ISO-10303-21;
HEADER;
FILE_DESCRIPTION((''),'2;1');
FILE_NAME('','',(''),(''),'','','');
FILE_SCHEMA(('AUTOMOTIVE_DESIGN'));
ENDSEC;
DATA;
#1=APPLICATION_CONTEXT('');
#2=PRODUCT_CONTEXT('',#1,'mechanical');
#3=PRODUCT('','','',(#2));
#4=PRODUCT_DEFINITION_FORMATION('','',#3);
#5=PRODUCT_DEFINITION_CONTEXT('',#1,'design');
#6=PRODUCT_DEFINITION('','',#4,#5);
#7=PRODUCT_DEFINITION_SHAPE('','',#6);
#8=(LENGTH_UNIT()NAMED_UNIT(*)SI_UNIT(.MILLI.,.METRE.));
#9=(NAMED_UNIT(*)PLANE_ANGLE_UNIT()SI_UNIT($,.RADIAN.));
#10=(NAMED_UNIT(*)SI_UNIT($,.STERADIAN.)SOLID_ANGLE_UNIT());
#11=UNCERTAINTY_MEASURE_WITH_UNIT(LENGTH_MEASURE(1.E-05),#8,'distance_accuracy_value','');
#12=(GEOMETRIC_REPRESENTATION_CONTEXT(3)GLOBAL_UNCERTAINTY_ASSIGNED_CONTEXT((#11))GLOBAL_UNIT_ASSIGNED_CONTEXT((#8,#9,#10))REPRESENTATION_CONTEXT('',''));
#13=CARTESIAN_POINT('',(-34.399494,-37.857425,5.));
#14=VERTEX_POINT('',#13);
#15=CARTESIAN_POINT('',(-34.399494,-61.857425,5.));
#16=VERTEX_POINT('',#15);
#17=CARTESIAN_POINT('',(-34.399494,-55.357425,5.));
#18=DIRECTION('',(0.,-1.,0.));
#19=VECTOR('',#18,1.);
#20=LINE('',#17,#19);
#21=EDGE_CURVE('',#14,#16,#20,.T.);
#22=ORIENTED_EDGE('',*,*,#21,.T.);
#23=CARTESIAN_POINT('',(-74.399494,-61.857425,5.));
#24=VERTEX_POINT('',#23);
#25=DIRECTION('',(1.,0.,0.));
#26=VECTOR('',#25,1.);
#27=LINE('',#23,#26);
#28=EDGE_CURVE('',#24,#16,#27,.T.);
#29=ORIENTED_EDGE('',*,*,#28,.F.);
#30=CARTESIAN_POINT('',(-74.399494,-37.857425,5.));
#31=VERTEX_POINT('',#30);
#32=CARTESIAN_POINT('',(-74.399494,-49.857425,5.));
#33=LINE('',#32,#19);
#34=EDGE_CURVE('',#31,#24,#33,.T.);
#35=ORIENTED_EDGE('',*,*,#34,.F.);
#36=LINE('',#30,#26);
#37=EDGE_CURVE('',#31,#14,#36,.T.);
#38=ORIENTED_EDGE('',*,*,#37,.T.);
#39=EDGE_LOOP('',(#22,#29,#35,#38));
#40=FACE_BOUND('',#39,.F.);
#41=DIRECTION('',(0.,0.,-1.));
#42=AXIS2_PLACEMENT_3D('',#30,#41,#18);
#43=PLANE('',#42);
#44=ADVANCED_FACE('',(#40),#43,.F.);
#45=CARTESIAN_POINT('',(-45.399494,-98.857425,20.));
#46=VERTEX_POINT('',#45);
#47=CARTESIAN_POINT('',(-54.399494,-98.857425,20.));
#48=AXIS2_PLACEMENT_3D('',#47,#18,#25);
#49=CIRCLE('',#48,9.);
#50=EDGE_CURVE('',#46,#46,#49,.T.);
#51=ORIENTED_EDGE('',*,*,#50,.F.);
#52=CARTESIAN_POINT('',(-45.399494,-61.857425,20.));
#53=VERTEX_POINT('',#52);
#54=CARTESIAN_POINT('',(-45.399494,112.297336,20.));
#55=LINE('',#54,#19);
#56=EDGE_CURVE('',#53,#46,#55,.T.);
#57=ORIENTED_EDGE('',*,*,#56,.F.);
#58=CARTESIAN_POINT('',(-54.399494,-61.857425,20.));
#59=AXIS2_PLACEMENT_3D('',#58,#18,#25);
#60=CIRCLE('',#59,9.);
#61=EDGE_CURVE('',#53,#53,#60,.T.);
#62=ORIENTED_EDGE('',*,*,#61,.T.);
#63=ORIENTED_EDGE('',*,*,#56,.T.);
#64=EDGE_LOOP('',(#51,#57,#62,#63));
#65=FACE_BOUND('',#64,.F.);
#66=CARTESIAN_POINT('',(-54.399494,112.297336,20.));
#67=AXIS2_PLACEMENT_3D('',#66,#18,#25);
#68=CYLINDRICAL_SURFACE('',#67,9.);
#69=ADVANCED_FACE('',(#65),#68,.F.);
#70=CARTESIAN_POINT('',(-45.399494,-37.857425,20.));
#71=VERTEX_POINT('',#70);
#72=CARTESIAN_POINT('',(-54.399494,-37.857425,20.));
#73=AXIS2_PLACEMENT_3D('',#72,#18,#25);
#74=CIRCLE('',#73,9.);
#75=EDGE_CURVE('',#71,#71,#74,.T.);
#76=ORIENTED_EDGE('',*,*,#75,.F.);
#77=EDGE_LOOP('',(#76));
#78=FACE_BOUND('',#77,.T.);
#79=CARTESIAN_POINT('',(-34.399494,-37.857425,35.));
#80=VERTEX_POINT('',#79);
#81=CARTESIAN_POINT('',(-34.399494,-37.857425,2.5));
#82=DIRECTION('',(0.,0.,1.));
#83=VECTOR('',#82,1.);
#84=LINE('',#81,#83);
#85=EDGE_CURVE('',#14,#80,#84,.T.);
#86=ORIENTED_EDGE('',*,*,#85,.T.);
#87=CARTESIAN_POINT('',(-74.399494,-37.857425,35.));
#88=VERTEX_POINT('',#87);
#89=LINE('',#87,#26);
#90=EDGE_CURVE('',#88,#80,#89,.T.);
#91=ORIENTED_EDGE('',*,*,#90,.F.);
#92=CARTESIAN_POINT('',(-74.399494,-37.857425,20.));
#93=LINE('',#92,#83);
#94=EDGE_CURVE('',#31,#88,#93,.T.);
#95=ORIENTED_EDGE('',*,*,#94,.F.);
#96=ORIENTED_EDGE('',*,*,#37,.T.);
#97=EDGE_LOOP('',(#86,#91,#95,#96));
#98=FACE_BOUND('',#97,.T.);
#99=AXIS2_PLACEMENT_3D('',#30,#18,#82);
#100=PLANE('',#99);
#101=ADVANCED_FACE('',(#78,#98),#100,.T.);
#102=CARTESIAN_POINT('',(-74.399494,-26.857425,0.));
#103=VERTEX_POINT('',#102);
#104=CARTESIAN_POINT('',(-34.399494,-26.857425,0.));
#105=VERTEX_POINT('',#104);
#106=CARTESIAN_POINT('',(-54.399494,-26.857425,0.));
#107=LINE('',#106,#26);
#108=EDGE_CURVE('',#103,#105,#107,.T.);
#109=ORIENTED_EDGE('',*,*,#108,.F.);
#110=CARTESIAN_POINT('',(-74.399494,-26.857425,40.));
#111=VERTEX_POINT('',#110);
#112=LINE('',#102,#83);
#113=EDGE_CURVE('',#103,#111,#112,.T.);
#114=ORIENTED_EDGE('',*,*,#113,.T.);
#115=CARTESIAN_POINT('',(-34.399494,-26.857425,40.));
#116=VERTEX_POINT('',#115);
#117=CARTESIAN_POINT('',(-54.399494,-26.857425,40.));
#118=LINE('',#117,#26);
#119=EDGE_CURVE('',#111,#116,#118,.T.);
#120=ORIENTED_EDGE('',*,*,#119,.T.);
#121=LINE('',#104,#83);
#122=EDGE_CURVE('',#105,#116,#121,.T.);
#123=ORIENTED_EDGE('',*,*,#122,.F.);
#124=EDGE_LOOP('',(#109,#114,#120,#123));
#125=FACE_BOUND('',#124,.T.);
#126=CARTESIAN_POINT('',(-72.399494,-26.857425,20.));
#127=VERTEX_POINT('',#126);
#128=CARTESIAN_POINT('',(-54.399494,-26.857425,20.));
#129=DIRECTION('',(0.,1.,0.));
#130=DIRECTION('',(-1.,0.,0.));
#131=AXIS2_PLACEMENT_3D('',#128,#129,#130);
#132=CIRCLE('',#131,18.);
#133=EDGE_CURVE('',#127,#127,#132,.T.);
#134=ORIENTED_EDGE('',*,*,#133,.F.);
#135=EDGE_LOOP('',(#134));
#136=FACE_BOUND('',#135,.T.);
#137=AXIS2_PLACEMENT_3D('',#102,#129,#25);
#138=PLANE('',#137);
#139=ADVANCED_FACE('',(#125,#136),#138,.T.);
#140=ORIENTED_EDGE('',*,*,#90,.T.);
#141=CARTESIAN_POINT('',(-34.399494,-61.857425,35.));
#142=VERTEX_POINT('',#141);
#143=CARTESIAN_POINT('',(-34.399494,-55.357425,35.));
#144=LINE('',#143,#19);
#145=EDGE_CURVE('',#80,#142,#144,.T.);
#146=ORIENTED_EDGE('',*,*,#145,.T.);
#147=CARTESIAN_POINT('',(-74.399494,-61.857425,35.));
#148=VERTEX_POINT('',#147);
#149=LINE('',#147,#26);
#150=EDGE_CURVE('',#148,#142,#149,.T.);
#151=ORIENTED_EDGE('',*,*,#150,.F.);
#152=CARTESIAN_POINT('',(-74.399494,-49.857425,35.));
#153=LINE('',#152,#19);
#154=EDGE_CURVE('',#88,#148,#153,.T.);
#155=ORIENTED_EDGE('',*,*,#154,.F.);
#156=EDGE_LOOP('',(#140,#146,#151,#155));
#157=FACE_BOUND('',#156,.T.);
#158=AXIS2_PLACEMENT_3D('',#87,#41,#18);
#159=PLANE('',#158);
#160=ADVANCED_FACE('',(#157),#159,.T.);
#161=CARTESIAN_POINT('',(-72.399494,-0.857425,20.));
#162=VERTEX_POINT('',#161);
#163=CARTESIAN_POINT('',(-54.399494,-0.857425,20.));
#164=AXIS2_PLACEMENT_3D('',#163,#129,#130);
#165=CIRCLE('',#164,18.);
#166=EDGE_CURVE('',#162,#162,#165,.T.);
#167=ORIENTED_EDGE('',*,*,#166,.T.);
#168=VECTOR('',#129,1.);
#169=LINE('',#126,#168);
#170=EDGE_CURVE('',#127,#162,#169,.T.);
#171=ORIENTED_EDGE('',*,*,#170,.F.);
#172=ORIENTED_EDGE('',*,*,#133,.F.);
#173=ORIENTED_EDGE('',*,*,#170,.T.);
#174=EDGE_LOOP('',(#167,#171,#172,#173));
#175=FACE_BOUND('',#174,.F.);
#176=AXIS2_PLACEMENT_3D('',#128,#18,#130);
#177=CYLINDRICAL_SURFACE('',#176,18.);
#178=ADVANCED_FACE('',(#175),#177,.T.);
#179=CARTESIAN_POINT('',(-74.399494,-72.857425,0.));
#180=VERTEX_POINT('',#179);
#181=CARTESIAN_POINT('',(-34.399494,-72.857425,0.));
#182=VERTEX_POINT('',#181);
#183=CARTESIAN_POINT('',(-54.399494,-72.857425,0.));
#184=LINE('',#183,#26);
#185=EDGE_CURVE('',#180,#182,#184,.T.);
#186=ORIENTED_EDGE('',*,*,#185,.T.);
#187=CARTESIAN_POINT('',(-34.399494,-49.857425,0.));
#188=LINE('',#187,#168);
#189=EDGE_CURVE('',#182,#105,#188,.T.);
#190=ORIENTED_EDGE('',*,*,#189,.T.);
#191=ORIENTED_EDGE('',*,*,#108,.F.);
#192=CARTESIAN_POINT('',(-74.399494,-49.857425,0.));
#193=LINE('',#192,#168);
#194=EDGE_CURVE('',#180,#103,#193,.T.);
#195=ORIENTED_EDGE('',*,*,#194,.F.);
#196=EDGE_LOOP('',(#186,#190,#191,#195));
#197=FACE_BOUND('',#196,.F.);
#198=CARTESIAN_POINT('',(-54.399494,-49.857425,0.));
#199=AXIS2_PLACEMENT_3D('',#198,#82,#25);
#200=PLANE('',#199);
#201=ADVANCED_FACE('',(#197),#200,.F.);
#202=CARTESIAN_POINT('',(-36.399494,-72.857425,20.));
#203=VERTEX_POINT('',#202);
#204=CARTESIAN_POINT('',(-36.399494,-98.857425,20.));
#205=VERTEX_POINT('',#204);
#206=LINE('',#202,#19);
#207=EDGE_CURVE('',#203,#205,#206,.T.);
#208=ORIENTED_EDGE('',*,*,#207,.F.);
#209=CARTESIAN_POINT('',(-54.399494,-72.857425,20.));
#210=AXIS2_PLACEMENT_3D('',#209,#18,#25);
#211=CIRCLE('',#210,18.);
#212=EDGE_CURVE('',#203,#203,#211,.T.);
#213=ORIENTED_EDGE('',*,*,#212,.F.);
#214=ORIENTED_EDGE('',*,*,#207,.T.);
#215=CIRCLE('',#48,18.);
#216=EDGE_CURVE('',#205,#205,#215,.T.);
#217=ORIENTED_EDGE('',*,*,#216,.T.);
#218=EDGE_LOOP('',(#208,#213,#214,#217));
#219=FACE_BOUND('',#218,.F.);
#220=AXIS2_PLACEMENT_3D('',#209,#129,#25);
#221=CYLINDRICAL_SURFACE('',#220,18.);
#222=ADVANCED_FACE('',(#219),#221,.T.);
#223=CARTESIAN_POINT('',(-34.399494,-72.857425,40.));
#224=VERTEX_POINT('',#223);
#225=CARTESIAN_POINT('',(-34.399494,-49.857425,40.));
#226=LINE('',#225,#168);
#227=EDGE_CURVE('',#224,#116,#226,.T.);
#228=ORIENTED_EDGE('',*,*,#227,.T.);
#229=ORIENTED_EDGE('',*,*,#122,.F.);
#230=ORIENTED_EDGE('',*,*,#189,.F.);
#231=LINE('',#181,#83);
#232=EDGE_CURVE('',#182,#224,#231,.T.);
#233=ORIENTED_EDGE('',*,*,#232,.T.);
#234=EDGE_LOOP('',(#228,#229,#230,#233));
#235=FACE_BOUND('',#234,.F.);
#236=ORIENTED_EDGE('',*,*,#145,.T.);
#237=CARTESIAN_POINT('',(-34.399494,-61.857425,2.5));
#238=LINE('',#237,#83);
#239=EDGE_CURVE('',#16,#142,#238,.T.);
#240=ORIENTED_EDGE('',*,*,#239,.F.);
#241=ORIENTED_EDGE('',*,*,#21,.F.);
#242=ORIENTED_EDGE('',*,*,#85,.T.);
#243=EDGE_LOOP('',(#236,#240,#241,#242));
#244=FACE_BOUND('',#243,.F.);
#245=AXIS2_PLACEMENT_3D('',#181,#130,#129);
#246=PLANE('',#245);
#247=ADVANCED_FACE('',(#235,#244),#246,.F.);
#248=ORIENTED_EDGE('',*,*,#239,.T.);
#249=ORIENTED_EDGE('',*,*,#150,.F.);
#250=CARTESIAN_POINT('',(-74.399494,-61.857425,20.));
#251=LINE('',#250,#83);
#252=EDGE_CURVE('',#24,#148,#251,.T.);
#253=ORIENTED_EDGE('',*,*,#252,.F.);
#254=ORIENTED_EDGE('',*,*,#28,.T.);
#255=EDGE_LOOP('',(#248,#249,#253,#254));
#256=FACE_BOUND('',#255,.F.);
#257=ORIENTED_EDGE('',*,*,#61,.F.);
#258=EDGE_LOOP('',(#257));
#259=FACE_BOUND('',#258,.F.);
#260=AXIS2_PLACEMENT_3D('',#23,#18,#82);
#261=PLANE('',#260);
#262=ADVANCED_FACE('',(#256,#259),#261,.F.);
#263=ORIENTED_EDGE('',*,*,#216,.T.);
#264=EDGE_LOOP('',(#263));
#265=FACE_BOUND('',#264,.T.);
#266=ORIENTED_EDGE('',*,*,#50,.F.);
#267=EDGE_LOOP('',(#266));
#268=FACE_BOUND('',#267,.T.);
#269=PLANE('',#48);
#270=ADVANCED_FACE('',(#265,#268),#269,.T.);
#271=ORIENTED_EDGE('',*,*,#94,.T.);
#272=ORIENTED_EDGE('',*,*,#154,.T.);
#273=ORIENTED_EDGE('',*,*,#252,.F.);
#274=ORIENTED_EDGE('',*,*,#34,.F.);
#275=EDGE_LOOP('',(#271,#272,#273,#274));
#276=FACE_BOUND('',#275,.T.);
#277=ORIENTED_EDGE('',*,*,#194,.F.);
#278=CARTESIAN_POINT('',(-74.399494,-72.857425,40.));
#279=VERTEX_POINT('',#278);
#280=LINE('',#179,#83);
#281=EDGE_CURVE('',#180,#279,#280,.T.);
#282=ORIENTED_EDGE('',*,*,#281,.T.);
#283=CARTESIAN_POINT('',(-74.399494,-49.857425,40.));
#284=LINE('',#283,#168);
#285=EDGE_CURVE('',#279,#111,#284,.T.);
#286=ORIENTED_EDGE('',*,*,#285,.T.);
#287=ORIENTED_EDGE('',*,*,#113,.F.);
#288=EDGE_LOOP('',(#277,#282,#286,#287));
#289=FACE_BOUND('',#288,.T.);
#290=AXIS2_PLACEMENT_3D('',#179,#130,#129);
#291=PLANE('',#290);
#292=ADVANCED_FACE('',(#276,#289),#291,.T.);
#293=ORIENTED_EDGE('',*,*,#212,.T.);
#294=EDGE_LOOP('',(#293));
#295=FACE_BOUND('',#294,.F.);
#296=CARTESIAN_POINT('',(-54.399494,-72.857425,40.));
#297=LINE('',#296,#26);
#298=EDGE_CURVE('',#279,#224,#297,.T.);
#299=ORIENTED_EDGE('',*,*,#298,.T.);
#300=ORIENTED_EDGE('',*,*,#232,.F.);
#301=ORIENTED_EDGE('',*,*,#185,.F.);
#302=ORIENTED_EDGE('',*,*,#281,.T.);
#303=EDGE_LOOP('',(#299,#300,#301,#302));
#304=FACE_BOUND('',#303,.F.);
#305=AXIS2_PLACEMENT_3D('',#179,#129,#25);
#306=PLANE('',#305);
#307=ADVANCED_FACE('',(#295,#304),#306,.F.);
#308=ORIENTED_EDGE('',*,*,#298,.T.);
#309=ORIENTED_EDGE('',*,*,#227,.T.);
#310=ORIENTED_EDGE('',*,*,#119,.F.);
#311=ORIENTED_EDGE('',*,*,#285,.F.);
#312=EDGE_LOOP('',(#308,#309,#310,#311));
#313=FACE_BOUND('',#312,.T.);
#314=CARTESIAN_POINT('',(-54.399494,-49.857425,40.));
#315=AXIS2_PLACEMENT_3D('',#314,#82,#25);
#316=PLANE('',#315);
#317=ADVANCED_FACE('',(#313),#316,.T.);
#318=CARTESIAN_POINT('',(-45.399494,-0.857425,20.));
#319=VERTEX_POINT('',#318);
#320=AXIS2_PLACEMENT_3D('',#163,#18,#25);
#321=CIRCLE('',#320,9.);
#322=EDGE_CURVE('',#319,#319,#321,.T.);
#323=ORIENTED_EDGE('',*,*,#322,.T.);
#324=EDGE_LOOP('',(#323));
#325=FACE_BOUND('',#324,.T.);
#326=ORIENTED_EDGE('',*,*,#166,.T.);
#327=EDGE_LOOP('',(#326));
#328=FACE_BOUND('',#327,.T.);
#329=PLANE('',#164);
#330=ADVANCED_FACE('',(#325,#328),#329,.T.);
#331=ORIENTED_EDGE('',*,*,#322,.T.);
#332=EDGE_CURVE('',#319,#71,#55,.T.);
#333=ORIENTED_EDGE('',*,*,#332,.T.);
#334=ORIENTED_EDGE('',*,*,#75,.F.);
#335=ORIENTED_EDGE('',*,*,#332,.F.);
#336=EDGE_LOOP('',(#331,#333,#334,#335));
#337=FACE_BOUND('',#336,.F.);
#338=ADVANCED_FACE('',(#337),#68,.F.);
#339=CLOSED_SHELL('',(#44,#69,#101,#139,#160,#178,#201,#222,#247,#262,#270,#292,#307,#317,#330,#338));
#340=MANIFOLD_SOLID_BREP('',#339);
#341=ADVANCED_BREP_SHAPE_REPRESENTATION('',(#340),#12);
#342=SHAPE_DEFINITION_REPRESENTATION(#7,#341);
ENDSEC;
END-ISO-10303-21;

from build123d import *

# Parameters (mm, degrees)
F0_W     = 40
F0_H     = 46
F1_DEPTH = 40
F2_R     = 18
F3_DEPTH = 26
F4_R     = 18
F5_DEPTH = 26
F8_D     = 18
F6_W     = 24
F6_H     = 30
F9_DEPTH = 50


with BuildPart() as f1:
    # F0 (on Top) → F1 (new body)
    with BuildSketch(Plane.XY):
        with Locations((-54.399494, -49.857425)):
            Rectangle(F0_W, F0_H)
    extrude(amount=F1_DEPTH)

    # F2 (on face) → F3 (join)
    with BuildSketch(Plane.XZ.offset(72.857425)):
        with Locations((-54.399494, 20)):
            Circle(F2_R)
    extrude(amount=F3_DEPTH)

    # F4 (on face) → F5 (join)
    with BuildSketch(Plane(origin=(0, -26.857425, 0), x_dir=(-1, 0, 0), z_dir=(0, 1, 0))):
        with Locations((54.399494, 20)):
            Circle(F4_R)
    extrude(amount=F5_DEPTH)

    # F8 (through all)
    with Locations(Plane(origin=(0, -0.857425, 0), x_dir=(-1, 0, 0), z_dir=(0, 1, 0))):
        with Locations((54.399494, 20)):
            Hole(F8_D / 2)

    # F6 (on face) → F9 (cut)
    with BuildSketch(Plane(origin=(-74.399494, 0, 0), x_dir=(0, -1, 0), z_dir=(-1, 0, 0))):
        with Locations((49.857425, 20)):
            Rectangle(F6_W, F6_H)
    extrude(amount=-F9_DEPTH, mode=Mode.SUBTRACT)


solid = f1.part
